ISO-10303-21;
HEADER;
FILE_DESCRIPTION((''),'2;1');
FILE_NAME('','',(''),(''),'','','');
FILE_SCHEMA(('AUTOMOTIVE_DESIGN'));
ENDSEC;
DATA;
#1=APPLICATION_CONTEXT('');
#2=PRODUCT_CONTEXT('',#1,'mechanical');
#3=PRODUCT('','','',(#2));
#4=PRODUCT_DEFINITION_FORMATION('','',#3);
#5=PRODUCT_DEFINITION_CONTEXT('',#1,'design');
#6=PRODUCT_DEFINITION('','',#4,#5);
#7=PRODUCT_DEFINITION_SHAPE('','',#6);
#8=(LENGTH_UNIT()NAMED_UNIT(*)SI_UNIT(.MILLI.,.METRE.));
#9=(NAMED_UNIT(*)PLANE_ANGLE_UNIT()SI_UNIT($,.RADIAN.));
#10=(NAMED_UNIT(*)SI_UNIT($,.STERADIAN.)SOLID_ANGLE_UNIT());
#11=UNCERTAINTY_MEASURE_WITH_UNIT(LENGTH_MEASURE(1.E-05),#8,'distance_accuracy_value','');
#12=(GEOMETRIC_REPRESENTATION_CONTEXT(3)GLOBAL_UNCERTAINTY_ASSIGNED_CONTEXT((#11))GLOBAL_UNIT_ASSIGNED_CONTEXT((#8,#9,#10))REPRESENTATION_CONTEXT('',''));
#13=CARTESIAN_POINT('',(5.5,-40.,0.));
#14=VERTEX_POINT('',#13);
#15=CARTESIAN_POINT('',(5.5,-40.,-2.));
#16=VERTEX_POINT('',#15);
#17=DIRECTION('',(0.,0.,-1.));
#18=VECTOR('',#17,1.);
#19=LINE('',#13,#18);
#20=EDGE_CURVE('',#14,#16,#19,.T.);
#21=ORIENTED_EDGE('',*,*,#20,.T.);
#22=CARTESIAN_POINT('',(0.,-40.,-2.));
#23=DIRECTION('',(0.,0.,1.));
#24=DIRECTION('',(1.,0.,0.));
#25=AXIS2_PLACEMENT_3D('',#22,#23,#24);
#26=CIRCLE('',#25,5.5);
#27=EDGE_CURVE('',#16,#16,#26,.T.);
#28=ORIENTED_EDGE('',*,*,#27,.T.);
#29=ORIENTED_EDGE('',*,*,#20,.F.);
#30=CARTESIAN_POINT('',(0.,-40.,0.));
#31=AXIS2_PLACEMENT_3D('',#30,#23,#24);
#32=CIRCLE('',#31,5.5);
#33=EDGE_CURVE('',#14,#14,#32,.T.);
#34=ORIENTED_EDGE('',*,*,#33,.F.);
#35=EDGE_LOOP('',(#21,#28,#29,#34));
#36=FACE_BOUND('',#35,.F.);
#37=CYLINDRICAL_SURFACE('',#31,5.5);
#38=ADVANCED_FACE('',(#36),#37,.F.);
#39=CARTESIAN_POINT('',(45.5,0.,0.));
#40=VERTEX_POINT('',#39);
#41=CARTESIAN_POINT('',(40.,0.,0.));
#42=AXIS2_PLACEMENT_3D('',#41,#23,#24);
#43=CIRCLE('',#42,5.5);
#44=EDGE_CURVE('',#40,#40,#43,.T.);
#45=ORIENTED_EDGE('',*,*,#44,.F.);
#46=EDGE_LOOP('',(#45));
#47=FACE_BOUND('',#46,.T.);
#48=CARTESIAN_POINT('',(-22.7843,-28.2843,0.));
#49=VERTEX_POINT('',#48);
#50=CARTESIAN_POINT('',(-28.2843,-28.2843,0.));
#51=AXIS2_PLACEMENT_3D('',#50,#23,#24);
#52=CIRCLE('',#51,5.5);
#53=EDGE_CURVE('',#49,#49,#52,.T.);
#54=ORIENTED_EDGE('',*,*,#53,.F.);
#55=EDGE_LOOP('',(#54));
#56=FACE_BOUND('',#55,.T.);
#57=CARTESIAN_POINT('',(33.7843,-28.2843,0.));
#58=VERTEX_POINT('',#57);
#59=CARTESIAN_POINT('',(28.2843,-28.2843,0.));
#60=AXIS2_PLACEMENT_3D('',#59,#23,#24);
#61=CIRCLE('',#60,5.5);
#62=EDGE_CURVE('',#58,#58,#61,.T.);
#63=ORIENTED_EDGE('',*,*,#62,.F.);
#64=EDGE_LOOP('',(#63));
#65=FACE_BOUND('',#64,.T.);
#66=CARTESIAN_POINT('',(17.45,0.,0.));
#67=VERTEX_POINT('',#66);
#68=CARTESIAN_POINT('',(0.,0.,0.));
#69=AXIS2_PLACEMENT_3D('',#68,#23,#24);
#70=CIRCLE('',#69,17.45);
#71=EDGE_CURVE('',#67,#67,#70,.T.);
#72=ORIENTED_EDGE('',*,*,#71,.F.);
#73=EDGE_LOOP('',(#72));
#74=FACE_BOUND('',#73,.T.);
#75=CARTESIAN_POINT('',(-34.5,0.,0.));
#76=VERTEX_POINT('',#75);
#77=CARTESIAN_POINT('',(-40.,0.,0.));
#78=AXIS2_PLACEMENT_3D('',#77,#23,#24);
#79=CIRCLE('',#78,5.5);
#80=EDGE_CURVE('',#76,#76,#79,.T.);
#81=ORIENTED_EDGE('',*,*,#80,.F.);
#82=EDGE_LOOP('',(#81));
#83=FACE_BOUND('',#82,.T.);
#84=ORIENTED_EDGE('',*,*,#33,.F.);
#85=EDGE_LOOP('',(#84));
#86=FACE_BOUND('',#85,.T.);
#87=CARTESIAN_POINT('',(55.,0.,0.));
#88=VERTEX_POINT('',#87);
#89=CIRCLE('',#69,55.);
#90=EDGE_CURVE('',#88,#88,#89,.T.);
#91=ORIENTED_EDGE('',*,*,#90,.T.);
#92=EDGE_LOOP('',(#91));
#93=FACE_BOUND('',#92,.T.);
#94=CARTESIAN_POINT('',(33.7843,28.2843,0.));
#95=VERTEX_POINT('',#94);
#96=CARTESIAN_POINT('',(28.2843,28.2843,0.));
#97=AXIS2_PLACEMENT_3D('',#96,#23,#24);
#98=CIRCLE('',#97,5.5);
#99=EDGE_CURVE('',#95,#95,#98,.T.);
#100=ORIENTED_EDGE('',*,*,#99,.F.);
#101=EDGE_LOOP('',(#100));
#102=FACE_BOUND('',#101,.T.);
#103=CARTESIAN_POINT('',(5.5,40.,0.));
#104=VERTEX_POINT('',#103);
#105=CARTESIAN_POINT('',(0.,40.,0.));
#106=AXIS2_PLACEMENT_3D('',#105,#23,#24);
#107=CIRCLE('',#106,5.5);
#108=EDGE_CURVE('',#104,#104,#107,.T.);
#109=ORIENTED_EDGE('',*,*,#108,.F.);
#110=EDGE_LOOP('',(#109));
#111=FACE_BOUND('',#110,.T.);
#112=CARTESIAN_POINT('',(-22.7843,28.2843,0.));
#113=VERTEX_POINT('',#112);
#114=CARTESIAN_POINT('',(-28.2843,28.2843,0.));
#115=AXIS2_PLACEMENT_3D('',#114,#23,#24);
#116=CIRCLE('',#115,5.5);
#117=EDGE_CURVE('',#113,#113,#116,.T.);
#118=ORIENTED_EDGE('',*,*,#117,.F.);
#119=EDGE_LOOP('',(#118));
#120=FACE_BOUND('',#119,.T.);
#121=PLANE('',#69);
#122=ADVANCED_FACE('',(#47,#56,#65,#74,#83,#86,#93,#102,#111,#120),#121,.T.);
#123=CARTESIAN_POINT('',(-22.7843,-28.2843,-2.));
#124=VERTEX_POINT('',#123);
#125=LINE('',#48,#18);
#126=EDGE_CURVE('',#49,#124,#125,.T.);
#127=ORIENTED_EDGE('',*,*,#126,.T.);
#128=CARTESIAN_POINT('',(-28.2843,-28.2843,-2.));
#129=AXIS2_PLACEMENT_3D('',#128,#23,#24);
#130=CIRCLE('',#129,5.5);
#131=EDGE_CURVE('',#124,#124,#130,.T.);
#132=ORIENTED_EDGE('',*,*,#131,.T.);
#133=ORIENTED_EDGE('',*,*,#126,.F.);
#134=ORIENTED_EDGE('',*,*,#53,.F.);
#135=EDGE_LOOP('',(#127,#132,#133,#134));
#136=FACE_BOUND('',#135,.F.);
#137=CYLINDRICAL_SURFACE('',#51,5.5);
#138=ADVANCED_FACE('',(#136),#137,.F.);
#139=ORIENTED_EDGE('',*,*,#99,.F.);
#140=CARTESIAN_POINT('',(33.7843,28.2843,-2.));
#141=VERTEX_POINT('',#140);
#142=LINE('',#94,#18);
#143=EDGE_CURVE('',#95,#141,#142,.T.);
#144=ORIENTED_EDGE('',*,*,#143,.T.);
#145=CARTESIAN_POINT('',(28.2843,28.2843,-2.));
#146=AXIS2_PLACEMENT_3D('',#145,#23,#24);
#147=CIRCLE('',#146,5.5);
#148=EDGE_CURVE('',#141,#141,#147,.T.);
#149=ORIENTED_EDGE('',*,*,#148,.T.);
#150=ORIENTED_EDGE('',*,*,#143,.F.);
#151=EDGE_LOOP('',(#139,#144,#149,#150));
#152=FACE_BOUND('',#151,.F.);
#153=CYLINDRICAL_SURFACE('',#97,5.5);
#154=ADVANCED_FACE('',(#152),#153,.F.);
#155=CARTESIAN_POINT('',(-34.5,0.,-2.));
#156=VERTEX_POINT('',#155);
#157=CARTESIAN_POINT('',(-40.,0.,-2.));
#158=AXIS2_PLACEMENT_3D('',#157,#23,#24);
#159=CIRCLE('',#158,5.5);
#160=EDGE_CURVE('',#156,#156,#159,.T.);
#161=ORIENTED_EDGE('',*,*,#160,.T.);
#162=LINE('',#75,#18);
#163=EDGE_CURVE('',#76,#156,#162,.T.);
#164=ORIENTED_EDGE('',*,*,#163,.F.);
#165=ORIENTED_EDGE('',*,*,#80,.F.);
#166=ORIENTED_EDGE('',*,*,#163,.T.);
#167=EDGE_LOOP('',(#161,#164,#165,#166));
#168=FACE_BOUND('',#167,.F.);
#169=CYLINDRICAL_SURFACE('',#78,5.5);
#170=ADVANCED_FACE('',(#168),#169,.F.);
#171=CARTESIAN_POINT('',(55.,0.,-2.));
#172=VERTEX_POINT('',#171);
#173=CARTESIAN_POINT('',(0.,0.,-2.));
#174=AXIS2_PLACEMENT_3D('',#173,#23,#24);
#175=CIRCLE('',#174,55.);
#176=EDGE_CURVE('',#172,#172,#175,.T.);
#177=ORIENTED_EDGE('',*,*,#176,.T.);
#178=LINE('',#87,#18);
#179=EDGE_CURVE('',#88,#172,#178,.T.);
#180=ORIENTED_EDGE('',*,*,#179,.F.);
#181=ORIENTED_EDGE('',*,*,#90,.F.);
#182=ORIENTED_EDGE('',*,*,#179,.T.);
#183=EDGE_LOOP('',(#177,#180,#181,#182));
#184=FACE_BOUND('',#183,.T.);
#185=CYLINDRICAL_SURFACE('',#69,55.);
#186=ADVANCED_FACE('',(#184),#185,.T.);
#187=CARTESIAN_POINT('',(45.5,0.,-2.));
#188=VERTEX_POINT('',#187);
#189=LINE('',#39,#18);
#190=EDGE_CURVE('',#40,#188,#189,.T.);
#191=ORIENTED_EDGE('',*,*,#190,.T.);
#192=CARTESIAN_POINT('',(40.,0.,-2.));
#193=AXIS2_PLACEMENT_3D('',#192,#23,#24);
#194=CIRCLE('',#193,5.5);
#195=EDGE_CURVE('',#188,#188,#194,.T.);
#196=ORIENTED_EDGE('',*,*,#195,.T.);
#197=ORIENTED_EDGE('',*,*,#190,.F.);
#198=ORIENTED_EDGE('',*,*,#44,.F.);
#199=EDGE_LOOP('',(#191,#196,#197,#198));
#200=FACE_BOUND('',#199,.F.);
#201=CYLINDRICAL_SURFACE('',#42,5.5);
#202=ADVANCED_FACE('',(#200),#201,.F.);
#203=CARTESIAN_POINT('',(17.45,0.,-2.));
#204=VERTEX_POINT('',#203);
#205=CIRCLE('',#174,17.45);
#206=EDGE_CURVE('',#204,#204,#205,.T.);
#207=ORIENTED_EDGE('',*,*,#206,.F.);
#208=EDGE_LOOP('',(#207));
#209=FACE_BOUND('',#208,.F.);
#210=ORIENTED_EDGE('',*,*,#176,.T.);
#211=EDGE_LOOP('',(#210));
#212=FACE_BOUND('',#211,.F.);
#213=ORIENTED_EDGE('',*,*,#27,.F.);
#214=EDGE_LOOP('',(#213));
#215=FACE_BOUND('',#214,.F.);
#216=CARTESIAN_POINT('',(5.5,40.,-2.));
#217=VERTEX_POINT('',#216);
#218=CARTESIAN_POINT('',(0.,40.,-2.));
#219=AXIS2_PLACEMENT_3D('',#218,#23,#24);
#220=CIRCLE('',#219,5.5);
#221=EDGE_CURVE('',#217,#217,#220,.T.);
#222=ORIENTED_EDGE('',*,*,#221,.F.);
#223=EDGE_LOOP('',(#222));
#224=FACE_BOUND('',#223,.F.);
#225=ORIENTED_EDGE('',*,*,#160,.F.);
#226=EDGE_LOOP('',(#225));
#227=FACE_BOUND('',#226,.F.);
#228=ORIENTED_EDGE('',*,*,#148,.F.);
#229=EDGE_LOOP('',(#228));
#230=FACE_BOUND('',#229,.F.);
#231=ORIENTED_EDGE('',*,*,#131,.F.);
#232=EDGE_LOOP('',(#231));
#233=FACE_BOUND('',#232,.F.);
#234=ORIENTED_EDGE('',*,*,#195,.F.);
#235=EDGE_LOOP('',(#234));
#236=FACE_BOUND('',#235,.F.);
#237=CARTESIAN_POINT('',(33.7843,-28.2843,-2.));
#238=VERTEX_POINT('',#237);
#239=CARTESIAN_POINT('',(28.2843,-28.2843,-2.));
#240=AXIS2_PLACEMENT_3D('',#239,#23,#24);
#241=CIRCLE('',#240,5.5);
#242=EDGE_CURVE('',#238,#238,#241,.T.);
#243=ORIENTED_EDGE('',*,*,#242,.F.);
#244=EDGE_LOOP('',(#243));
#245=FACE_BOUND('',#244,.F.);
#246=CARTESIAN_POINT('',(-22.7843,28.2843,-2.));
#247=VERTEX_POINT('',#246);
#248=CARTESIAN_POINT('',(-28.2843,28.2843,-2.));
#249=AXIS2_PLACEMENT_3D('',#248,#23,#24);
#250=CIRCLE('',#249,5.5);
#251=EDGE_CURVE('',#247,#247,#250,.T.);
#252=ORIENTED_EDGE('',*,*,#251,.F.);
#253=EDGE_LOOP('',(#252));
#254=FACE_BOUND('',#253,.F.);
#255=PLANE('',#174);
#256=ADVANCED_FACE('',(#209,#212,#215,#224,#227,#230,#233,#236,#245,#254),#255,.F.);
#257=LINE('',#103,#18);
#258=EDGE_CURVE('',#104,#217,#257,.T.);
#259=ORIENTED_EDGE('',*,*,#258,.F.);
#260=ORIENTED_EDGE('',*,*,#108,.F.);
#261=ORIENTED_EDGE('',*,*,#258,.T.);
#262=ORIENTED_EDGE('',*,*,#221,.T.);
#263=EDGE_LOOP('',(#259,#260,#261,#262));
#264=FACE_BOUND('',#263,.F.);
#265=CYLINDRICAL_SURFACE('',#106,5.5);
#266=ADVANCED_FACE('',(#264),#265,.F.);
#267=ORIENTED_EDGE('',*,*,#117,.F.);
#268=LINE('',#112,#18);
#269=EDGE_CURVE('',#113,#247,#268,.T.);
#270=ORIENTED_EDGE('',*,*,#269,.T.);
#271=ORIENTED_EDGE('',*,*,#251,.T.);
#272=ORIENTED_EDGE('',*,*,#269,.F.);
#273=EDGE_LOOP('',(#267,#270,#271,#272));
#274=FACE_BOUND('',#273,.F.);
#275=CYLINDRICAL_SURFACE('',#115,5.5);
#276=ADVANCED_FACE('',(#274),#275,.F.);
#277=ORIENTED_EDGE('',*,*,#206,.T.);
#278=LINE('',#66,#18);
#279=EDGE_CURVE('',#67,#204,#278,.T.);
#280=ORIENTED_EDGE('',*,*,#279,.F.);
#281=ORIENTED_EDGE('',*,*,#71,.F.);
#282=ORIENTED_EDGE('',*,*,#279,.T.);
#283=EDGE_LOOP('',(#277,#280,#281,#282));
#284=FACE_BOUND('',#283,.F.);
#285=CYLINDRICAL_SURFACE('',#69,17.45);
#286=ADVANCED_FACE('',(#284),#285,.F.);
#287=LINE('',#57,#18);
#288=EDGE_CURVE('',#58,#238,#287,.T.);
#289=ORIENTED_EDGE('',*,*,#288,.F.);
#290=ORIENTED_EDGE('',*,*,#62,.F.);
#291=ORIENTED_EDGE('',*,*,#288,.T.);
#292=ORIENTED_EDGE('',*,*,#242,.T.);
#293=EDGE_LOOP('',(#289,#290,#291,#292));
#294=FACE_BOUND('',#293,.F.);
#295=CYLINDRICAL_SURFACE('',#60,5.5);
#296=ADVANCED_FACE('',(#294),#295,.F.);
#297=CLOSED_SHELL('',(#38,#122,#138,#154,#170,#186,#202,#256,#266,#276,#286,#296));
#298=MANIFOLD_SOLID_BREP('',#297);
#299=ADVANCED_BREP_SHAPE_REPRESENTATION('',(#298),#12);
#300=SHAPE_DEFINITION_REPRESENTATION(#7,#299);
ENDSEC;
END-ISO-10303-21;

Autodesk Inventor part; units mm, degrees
ref_plane "YZ Plane" through (0, 0, 0) normal (1, 0, 0) x (0, 1, 0)
ref_plane "XZ Plane" through (0, 0, 0) normal (0, 1, 0) x (-1, 0, 0)
ref_plane "XY Plane" through (0, 0, 0) normal (0, 0, 1) x (1, 0, 0)
sketch "Sketch1" plane through (0, 0, 0) normal (0, 0, 1) x (1, 0, 0)
  circle A0 centre (0, 0) radius 55
  circle A1 centre (0, 0) radius 17.45
  circle A2 centre (0, 0) radius 40 construction
  circle A3 centre (40, 0) radius 5.5
  circle A4 centre (28.2843, 28.2843) radius 5.5
  circle A5 centre (0, 40) radius 5.5
  circle A6 centre (-28.2843, 28.2843) radius 5.5
  circle A7 centre (-40, 0) radius 5.5
  circle A8 centre (-28.2843, -28.2843) radius 5.5
  circle A9 centre (0, -40) radius 5.5
  circle A10 centre (28.2843, -28.2843) radius 5.5
  dimension "d39" = 80
  dimension "d31" = 34.9
  dimension "d32" = 110
  dimension "d40" = 11
  dimension "d43" = 360
extrude "Plate1" add sketch "Sketch1" against normal blind 2
equation "\"d15\" = Thickness"
equation "\"BendRadius\" = Thickness"
equation "\"BendReliefWidth\" = Thickness"
equation "\"BendReliefDepth\" = 0.5 * Thickness"
equation "\"CornerReliefSize\" = 4 * Thickness"
equation "\"MinimumRemnant\" = 2 * Thickness"
equation "\"TransitionRadius\" = BendRadius"
equation "\"JacobiRadiusSize\" = BendRadius"
equation "\"GapSize\" = Thickness"
equation "\"Thickness\" = 2"
properties part number "DMF flange small gear"
